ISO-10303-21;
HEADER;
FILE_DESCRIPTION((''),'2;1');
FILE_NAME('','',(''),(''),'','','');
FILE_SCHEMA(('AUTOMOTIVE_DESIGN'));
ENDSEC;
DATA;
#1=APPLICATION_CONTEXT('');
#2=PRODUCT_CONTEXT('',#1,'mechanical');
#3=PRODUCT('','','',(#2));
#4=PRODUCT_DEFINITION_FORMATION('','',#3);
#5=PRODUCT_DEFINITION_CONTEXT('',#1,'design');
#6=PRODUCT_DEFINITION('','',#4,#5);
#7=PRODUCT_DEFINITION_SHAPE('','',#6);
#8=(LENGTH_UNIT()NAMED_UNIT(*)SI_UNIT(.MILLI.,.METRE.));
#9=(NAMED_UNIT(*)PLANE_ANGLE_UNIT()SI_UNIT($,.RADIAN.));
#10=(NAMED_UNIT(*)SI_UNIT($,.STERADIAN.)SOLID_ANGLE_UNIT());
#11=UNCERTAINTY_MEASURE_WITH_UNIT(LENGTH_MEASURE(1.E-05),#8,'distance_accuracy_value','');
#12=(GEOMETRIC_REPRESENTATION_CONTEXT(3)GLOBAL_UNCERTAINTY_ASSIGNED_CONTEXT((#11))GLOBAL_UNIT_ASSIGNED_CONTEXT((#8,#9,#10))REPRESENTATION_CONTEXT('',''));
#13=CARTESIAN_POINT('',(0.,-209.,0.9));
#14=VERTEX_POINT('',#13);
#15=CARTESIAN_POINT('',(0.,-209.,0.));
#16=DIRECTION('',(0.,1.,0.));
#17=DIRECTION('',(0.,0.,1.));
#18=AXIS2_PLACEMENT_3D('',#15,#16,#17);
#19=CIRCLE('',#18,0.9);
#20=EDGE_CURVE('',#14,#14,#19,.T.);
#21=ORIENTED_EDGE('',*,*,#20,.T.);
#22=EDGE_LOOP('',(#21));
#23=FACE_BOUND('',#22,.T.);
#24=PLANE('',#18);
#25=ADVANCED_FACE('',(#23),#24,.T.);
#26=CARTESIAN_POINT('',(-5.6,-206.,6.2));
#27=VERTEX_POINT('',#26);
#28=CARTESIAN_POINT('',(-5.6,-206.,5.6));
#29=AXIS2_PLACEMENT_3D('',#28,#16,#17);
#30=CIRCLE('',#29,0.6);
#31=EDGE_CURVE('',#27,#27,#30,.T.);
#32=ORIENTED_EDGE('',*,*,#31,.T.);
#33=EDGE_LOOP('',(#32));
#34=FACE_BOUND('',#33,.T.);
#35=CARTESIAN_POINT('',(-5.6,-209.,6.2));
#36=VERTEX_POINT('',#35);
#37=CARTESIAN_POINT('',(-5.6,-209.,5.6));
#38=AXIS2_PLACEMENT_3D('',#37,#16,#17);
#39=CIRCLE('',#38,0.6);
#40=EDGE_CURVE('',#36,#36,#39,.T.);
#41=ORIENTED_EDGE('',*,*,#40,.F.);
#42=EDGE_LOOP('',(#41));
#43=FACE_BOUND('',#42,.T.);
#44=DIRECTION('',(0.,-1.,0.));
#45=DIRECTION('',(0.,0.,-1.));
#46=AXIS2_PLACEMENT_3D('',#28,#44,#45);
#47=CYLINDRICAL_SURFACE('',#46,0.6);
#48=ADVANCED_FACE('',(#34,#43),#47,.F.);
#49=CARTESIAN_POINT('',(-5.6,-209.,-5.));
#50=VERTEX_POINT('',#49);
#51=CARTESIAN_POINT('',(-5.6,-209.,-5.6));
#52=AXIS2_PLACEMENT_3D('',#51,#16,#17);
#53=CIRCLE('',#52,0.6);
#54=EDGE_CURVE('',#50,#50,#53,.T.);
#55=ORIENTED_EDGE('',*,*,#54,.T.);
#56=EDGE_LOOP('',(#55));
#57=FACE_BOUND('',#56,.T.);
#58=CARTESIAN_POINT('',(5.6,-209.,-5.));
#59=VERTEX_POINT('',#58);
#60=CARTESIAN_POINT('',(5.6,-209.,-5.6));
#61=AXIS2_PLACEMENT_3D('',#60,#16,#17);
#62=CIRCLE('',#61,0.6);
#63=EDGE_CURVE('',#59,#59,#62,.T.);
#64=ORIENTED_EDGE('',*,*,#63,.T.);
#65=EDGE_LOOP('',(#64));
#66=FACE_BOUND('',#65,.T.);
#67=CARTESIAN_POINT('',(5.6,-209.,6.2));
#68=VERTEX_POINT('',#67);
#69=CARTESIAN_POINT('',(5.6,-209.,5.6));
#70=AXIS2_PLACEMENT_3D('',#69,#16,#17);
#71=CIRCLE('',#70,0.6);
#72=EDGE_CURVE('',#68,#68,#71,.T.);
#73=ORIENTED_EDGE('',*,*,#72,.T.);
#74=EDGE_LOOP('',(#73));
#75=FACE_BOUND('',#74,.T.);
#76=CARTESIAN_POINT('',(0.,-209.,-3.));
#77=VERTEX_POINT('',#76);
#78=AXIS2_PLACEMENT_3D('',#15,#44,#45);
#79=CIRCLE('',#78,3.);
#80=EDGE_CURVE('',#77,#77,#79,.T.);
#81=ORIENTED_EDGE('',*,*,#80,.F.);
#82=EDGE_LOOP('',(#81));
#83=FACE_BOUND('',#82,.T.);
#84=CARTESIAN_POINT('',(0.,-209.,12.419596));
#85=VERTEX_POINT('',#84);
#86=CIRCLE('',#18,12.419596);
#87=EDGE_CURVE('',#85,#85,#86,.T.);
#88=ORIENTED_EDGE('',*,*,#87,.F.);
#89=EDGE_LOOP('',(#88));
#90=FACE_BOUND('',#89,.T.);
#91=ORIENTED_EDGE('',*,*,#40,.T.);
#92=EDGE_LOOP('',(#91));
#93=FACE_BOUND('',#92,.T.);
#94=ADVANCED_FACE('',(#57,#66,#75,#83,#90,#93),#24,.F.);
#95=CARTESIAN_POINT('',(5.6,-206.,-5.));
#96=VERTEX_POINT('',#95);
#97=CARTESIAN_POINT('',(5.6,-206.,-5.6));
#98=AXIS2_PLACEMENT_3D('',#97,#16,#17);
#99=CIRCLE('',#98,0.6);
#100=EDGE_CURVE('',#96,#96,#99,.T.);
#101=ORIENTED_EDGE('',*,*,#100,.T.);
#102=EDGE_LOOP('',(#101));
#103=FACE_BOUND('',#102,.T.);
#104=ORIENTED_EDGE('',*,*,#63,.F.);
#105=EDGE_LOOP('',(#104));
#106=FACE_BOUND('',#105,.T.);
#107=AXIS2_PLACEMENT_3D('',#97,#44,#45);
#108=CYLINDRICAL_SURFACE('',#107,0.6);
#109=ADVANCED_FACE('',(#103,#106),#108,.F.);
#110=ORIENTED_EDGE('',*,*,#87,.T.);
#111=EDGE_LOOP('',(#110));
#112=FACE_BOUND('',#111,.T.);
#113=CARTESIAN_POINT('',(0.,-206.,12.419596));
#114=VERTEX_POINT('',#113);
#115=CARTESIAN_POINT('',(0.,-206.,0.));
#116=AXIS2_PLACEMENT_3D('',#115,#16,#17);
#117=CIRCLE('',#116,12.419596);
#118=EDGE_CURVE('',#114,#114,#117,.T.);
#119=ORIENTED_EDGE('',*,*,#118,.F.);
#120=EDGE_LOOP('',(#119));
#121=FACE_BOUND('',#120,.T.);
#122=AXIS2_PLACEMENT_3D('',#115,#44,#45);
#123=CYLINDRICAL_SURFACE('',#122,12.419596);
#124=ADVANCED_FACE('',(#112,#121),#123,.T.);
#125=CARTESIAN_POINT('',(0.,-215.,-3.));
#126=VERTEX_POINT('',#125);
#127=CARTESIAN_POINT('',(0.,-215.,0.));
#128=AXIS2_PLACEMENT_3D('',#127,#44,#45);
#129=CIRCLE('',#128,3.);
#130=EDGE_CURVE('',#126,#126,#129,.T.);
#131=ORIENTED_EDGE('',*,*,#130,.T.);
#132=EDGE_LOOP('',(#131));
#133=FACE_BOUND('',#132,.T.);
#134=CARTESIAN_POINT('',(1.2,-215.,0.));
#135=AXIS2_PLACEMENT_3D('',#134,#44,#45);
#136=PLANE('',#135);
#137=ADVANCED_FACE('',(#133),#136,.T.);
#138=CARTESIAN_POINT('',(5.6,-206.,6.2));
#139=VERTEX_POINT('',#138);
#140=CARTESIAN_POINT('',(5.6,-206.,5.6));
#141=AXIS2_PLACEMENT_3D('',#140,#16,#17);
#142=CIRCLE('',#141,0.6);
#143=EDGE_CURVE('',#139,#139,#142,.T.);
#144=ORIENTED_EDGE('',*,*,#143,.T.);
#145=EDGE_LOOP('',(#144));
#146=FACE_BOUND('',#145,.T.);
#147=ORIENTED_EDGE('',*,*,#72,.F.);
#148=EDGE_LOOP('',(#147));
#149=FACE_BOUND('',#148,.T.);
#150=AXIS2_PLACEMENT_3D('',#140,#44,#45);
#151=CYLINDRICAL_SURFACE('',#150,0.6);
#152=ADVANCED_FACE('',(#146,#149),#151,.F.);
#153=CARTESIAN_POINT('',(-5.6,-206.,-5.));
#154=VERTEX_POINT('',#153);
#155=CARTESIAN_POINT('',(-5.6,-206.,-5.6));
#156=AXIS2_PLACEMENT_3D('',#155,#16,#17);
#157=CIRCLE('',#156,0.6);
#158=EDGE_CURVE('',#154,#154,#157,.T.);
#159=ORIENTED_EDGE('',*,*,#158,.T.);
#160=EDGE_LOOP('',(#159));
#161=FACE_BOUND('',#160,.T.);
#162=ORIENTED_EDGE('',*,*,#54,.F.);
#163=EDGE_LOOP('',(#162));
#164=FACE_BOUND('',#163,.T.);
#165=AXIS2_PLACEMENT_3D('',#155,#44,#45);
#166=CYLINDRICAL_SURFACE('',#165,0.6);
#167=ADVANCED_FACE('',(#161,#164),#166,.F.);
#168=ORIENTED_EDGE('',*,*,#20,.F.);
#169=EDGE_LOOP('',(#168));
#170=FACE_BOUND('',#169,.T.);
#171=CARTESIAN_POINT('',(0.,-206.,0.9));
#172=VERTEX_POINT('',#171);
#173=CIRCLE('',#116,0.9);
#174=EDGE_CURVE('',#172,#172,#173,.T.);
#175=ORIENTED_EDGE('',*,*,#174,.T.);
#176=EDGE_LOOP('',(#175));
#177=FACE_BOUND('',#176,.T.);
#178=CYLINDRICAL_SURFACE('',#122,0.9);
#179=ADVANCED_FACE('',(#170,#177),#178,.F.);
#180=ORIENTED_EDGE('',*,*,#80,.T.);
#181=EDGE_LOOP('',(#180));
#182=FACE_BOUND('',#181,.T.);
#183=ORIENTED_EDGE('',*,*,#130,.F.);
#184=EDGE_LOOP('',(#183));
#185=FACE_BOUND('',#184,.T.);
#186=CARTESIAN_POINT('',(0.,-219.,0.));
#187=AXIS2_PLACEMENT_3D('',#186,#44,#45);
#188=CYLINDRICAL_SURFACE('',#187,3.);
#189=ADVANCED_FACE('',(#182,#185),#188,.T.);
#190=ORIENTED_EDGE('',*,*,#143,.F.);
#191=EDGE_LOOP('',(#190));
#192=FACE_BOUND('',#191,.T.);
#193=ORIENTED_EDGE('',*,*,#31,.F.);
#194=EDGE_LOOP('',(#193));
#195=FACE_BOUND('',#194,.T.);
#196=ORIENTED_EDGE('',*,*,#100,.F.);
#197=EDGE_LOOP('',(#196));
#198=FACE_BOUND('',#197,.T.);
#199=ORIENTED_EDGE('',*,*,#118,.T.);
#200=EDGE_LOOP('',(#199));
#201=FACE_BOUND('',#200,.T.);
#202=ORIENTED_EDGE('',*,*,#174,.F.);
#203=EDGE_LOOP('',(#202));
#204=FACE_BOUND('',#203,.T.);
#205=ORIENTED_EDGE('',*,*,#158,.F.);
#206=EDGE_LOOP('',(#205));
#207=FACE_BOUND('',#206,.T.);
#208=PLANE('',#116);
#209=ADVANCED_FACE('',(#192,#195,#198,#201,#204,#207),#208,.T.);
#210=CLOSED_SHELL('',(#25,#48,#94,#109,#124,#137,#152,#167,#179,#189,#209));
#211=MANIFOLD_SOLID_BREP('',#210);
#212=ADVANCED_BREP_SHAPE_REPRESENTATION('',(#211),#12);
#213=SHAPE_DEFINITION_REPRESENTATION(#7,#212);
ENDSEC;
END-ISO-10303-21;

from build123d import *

# Parameters (mm, degrees)
SKETCH1_R               = 12.419595949
SKETCH1_R_2             = 0.9
SKETCH1_R_3             = 0.6
DISCO_APONEUROSIS_DEPTH = 3


with BuildPart() as part:
    # Sketch1 → Disco_aponeurosis (new body)
    with BuildSketch(Plane(origin=(0, -209, 0), x_dir=(1, 0, 0), z_dir=(0, 1, 0))):
        with Locations(Location((0, 0, 0), (0, 0, 270))):
            Circle(SKETCH1_R)
        with Locations(Location((0, 0, 0), (0, 0, 270))):
            Circle(SKETCH1_R_2, mode=Mode.SUBTRACT)
        with Locations(Location((5.6, 5.6, 0), (0, 0, 270))):
            Circle(SKETCH1_R_3, mode=Mode.SUBTRACT)
        with Locations(Location((-5.6, 5.6, 0), (0, 0, 270))):
            Circle(SKETCH1_R_3, mode=Mode.SUBTRACT)
        with Locations(Location((-5.6, -5.6, 0), (0, 0, 270))):
            Circle(SKETCH1_R_3, mode=Mode.SUBTRACT)
        with Locations(Location((5.6, -5.6, 0), (0, 0, 270))):
            Circle(SKETCH1_R_3, mode=Mode.SUBTRACT)
    extrude(amount=DISCO_APONEUROSIS_DEPTH)

    # Sketch2 → Boca_tendon (revolve)
    with BuildSketch(Plane.XY, mode=Mode.PRIVATE) as boca_tendon_sk:
        Polygon((0, -209), (3, -209), (3, -215), (1.2, -215), (0, -215), align=None)
    revolve(boca_tendon_sk.sketch.rotate(Axis((0, -219, 0), (0, 1, 0)), 90), axis=Axis((0, -219, 0), (0, 1, 0)))


solid = part.part
